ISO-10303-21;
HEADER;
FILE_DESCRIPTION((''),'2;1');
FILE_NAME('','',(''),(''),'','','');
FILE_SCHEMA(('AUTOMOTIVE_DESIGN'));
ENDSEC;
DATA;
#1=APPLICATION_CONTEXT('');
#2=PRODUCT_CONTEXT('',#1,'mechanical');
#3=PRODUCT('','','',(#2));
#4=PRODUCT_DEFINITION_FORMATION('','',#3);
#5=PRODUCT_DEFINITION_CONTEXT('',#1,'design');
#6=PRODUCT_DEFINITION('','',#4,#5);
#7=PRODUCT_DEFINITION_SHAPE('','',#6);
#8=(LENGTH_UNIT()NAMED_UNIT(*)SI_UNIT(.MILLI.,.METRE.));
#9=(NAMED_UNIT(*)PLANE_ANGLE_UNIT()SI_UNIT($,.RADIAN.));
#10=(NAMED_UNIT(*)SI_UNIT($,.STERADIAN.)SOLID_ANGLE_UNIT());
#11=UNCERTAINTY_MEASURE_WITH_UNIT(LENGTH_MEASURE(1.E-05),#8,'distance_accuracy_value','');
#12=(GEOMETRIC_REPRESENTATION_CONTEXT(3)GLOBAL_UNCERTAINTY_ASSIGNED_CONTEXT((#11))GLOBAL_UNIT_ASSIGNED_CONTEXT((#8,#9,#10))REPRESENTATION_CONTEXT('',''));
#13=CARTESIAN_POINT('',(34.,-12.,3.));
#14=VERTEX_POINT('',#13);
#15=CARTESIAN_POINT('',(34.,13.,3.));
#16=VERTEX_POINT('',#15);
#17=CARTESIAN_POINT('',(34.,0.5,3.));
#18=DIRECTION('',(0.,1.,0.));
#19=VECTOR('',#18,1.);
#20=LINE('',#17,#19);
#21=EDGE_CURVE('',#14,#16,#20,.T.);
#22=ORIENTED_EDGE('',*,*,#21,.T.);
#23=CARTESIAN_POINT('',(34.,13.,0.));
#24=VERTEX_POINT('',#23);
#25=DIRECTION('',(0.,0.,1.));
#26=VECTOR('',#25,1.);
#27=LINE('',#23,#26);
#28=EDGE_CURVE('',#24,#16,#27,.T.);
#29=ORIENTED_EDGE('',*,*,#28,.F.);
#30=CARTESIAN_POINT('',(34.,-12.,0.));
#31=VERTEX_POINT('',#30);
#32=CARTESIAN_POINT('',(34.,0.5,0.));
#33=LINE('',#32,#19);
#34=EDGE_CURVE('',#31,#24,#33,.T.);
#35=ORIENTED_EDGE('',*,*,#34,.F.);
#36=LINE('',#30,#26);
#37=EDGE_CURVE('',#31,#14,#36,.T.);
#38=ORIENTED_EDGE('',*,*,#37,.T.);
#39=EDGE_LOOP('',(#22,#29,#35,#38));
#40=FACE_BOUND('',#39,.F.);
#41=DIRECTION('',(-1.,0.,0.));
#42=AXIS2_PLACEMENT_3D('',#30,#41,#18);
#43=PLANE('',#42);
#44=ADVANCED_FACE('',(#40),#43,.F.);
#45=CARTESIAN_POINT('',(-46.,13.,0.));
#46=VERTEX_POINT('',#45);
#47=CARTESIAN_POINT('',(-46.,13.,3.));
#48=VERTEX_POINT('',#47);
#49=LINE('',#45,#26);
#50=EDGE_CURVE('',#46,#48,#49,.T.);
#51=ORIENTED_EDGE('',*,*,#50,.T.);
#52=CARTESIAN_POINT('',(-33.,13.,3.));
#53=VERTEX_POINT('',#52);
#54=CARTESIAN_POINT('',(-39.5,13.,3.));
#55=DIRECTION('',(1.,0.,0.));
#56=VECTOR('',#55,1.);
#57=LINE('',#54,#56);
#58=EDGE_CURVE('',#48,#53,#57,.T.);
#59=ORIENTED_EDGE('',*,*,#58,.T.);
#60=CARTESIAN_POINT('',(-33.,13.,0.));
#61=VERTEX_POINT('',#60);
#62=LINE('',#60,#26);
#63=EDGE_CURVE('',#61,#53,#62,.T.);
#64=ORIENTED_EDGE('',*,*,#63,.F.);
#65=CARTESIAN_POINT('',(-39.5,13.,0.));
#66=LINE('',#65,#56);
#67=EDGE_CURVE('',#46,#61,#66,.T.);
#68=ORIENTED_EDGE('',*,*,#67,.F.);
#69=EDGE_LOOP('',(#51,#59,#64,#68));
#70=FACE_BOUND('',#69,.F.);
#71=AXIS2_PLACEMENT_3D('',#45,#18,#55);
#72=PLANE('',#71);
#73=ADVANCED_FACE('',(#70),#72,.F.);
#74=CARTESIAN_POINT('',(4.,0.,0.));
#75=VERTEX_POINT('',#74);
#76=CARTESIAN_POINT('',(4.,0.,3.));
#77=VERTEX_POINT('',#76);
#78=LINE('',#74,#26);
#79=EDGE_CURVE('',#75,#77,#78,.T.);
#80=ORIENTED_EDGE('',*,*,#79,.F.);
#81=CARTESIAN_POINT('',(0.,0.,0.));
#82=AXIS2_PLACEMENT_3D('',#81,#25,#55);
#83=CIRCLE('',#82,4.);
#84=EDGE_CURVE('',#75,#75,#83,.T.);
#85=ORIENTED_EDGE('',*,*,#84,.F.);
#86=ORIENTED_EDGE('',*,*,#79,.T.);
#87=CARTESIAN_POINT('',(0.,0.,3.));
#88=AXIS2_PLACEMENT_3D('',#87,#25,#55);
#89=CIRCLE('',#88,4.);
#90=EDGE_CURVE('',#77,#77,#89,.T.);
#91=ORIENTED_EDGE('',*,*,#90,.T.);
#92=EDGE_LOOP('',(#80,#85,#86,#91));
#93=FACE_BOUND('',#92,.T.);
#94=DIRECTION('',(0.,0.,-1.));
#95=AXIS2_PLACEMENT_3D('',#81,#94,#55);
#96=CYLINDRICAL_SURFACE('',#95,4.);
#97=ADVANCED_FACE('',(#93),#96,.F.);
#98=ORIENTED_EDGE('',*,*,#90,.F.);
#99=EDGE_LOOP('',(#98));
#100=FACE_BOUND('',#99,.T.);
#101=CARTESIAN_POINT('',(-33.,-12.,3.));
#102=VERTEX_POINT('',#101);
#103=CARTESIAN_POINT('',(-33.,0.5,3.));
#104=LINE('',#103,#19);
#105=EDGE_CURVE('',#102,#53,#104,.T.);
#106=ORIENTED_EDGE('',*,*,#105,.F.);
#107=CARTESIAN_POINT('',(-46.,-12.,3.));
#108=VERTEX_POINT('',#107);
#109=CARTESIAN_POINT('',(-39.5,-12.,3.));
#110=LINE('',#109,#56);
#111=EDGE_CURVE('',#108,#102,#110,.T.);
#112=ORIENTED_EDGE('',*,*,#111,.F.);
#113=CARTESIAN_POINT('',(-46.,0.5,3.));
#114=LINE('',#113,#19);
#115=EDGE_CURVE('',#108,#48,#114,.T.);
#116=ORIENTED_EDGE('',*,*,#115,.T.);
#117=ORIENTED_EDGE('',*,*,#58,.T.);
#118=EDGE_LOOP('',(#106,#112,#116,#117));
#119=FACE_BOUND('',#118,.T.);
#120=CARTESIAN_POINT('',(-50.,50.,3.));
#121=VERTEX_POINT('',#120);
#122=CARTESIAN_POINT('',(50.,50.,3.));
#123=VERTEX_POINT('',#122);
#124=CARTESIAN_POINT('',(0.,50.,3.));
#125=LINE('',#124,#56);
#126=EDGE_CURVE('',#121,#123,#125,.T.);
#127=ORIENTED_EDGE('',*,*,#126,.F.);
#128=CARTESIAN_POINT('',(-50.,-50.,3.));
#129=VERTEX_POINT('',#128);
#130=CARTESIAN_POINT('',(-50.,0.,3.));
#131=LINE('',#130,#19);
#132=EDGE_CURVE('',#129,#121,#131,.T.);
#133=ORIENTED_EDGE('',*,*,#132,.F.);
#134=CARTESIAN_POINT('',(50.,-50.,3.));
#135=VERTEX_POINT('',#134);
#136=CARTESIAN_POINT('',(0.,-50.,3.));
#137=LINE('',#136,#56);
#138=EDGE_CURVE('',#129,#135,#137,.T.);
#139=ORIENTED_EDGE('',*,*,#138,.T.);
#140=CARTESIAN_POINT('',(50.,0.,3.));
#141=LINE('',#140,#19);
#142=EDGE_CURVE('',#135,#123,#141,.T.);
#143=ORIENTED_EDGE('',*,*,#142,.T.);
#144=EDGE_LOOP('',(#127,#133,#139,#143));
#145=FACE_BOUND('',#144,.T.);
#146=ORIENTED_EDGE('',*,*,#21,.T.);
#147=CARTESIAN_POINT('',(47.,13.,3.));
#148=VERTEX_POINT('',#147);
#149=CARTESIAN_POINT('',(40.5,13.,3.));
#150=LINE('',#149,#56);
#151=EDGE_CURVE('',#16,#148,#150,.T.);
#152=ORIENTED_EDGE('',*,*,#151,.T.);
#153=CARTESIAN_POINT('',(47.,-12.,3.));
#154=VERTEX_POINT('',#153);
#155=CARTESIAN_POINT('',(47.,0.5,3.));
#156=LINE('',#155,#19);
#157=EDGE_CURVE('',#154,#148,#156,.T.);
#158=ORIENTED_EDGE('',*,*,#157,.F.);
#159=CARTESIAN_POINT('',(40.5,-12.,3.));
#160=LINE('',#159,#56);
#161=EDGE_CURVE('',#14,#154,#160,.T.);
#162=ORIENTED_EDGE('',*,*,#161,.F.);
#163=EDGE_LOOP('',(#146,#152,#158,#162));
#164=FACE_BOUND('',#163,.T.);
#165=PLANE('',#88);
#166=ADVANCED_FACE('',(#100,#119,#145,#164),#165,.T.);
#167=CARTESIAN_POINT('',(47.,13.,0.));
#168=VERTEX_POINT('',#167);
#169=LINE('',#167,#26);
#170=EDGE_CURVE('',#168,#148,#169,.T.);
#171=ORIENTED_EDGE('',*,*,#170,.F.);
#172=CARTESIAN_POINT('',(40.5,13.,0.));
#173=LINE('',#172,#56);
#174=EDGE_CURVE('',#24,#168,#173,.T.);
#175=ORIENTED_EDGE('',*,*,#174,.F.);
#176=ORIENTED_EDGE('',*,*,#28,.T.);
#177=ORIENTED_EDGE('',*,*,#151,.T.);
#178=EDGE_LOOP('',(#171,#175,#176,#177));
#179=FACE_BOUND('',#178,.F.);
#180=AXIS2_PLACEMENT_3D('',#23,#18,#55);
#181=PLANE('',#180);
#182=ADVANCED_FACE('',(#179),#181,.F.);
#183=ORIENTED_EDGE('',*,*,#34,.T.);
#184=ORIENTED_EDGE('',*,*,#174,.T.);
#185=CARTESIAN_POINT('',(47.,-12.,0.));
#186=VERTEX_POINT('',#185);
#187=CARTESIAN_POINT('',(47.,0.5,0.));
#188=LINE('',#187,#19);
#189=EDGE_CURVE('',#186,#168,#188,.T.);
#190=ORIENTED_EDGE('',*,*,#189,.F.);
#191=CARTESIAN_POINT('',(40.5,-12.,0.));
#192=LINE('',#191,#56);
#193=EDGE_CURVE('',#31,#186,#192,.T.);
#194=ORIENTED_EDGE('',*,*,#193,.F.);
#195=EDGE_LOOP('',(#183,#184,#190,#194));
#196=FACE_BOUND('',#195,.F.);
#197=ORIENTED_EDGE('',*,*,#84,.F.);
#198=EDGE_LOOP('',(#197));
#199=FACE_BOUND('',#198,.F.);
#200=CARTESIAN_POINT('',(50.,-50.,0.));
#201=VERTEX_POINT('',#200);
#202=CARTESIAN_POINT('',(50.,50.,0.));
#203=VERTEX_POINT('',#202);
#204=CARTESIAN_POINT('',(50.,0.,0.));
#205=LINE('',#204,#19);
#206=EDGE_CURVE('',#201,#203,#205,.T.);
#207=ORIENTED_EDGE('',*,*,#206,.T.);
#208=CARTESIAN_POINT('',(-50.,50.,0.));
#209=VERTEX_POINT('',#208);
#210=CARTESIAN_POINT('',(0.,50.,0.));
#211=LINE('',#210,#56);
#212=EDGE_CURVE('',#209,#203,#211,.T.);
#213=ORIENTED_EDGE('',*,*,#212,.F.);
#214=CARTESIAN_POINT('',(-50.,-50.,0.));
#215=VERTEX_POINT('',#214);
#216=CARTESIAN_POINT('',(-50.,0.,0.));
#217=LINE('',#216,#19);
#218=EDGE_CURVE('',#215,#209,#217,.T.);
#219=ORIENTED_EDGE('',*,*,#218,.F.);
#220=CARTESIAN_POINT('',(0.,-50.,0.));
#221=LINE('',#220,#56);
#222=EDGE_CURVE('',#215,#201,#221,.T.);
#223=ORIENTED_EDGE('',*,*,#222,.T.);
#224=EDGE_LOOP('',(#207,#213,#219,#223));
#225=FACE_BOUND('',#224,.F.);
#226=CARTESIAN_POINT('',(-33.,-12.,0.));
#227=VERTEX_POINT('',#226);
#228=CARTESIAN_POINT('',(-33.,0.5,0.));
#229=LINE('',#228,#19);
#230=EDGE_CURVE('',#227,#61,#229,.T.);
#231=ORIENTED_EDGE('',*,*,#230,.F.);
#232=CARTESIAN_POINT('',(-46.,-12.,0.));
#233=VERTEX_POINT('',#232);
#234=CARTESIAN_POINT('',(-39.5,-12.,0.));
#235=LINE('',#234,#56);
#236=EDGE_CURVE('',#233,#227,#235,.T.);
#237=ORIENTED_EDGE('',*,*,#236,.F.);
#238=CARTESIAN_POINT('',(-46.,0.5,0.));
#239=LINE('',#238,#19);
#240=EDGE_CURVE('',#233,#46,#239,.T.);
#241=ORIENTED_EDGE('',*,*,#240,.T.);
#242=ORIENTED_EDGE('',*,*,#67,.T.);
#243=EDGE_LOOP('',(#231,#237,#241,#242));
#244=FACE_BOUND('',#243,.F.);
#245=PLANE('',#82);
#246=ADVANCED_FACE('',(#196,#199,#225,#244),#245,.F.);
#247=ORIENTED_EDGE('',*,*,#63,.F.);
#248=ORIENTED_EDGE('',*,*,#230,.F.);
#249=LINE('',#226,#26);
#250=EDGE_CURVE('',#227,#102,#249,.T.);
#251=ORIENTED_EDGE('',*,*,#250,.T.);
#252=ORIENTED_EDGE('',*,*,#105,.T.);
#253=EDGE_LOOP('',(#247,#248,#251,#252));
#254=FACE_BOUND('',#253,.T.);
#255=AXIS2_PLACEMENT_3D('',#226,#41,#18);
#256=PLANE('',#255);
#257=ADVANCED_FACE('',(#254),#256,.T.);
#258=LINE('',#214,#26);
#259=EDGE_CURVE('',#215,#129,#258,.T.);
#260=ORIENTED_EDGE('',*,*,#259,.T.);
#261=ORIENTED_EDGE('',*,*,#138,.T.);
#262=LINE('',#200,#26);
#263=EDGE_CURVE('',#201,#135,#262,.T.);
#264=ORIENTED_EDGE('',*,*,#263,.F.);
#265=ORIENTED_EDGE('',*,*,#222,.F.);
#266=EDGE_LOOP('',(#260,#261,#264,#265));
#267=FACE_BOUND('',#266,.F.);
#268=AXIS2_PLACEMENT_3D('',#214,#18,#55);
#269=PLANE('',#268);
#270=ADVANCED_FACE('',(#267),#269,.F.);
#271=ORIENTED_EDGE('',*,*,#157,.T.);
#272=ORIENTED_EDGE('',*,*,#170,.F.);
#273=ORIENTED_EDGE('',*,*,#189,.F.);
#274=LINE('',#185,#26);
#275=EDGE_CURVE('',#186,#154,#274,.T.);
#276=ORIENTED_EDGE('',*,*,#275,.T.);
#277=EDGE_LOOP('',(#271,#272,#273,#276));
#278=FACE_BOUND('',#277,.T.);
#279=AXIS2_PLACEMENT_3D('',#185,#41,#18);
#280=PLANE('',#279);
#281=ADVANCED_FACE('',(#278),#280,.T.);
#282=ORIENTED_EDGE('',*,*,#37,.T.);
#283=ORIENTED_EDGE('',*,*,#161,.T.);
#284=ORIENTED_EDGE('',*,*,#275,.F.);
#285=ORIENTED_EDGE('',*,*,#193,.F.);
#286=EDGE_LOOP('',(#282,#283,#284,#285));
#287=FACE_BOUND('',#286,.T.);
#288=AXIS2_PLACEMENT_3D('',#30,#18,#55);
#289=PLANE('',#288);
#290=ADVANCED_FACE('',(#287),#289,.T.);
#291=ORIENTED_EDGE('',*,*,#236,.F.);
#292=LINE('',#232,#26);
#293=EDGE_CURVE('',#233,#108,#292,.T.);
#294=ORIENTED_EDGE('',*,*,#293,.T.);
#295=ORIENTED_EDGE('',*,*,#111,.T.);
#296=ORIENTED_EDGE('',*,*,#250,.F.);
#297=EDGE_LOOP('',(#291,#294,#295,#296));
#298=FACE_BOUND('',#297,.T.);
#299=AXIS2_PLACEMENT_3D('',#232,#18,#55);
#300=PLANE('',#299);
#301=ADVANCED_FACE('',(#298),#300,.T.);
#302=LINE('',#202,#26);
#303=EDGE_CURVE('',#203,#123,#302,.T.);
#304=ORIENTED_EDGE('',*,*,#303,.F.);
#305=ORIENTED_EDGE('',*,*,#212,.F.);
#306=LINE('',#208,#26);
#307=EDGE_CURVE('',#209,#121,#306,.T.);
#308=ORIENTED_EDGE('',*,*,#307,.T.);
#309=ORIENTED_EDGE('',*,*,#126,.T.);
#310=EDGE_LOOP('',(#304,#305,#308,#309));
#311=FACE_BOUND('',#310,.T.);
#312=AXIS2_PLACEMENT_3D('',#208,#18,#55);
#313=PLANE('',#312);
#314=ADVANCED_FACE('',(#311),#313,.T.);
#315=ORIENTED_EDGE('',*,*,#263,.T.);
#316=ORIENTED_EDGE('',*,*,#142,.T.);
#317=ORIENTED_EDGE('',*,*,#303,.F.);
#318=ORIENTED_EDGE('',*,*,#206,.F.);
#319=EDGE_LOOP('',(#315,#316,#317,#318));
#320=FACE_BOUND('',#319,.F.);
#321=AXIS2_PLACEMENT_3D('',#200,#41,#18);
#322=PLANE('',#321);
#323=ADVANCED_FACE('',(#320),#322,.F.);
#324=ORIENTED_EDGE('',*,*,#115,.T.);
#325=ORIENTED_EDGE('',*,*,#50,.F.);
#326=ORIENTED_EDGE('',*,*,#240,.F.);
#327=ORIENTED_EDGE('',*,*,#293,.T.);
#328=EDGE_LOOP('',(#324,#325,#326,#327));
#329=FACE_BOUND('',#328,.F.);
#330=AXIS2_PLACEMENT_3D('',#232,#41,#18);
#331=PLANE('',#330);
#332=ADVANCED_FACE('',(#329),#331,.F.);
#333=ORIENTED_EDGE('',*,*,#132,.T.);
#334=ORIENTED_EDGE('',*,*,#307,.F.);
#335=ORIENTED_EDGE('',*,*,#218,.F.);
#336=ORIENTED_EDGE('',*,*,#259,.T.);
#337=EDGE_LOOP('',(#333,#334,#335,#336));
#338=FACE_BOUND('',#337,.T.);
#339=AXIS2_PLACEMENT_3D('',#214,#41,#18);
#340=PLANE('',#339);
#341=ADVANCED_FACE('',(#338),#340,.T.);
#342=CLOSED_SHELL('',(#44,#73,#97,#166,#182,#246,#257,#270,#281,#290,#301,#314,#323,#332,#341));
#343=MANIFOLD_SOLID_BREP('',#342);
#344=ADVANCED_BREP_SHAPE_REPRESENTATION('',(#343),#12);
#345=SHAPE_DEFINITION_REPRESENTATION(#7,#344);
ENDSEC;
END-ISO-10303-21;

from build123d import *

# Parameters (mm, degrees)
BOX002_W       = 13
BOX002_H       = 25
BOX002_DEPTH   = 3
BOX001_W       = 13
BOX001_H       = 25
BOX001_DEPTH   = 3
CYLINDER_R     = 4
CYLINDER_DEPTH = 3
BOX_W          = 100
BOX_H          = 100
BOX_DEPTH      = 3


with BuildPart() as cube002:
    # Box002 → Box002 (new body)
    with BuildSketch(Plane(origin=(-46, -12, 0), x_dir=(1, 0, 0), z_dir=(0, 0, 1))):
        with Locations((6.5, 12.5)):
            Rectangle(BOX002_W, BOX002_H)
    extrude(amount=BOX002_DEPTH)


with BuildPart() as cube001:
    # Box001 → Box001 (new body)
    with BuildSketch(Plane(origin=(34, -12, 0), x_dir=(1, 0, 0), z_dir=(0, 0, 1))):
        with Locations((6.5, 12.5)):
            Rectangle(BOX001_W, BOX001_H)
    extrude(amount=BOX001_DEPTH)


with BuildPart() as cylinder:
    # Cylinder → Cylinder (new body)
    with BuildSketch(Plane.XY):
        Circle(CYLINDER_R)
    extrude(amount=CYLINDER_DEPTH)


with BuildPart() as cut002:
    # Box → Box (new body)
    with BuildSketch(Plane(origin=(-50, -50, 0), x_dir=(1, 0, 0), z_dir=(0, 0, 1))):
        with Locations((50, 50)):
            Rectangle(BOX_W, BOX_H)
    extrude(amount=BOX_DEPTH)

    # Cut: cut Cylinder
    add(cylinder.part, mode=Mode.SUBTRACT)

    # Cut001: cut Cube001
    add(cube001.part, mode=Mode.SUBTRACT)

    # Cut002: cut Cube002
    add(cube002.part, mode=Mode.SUBTRACT)


solid = cut002.part
